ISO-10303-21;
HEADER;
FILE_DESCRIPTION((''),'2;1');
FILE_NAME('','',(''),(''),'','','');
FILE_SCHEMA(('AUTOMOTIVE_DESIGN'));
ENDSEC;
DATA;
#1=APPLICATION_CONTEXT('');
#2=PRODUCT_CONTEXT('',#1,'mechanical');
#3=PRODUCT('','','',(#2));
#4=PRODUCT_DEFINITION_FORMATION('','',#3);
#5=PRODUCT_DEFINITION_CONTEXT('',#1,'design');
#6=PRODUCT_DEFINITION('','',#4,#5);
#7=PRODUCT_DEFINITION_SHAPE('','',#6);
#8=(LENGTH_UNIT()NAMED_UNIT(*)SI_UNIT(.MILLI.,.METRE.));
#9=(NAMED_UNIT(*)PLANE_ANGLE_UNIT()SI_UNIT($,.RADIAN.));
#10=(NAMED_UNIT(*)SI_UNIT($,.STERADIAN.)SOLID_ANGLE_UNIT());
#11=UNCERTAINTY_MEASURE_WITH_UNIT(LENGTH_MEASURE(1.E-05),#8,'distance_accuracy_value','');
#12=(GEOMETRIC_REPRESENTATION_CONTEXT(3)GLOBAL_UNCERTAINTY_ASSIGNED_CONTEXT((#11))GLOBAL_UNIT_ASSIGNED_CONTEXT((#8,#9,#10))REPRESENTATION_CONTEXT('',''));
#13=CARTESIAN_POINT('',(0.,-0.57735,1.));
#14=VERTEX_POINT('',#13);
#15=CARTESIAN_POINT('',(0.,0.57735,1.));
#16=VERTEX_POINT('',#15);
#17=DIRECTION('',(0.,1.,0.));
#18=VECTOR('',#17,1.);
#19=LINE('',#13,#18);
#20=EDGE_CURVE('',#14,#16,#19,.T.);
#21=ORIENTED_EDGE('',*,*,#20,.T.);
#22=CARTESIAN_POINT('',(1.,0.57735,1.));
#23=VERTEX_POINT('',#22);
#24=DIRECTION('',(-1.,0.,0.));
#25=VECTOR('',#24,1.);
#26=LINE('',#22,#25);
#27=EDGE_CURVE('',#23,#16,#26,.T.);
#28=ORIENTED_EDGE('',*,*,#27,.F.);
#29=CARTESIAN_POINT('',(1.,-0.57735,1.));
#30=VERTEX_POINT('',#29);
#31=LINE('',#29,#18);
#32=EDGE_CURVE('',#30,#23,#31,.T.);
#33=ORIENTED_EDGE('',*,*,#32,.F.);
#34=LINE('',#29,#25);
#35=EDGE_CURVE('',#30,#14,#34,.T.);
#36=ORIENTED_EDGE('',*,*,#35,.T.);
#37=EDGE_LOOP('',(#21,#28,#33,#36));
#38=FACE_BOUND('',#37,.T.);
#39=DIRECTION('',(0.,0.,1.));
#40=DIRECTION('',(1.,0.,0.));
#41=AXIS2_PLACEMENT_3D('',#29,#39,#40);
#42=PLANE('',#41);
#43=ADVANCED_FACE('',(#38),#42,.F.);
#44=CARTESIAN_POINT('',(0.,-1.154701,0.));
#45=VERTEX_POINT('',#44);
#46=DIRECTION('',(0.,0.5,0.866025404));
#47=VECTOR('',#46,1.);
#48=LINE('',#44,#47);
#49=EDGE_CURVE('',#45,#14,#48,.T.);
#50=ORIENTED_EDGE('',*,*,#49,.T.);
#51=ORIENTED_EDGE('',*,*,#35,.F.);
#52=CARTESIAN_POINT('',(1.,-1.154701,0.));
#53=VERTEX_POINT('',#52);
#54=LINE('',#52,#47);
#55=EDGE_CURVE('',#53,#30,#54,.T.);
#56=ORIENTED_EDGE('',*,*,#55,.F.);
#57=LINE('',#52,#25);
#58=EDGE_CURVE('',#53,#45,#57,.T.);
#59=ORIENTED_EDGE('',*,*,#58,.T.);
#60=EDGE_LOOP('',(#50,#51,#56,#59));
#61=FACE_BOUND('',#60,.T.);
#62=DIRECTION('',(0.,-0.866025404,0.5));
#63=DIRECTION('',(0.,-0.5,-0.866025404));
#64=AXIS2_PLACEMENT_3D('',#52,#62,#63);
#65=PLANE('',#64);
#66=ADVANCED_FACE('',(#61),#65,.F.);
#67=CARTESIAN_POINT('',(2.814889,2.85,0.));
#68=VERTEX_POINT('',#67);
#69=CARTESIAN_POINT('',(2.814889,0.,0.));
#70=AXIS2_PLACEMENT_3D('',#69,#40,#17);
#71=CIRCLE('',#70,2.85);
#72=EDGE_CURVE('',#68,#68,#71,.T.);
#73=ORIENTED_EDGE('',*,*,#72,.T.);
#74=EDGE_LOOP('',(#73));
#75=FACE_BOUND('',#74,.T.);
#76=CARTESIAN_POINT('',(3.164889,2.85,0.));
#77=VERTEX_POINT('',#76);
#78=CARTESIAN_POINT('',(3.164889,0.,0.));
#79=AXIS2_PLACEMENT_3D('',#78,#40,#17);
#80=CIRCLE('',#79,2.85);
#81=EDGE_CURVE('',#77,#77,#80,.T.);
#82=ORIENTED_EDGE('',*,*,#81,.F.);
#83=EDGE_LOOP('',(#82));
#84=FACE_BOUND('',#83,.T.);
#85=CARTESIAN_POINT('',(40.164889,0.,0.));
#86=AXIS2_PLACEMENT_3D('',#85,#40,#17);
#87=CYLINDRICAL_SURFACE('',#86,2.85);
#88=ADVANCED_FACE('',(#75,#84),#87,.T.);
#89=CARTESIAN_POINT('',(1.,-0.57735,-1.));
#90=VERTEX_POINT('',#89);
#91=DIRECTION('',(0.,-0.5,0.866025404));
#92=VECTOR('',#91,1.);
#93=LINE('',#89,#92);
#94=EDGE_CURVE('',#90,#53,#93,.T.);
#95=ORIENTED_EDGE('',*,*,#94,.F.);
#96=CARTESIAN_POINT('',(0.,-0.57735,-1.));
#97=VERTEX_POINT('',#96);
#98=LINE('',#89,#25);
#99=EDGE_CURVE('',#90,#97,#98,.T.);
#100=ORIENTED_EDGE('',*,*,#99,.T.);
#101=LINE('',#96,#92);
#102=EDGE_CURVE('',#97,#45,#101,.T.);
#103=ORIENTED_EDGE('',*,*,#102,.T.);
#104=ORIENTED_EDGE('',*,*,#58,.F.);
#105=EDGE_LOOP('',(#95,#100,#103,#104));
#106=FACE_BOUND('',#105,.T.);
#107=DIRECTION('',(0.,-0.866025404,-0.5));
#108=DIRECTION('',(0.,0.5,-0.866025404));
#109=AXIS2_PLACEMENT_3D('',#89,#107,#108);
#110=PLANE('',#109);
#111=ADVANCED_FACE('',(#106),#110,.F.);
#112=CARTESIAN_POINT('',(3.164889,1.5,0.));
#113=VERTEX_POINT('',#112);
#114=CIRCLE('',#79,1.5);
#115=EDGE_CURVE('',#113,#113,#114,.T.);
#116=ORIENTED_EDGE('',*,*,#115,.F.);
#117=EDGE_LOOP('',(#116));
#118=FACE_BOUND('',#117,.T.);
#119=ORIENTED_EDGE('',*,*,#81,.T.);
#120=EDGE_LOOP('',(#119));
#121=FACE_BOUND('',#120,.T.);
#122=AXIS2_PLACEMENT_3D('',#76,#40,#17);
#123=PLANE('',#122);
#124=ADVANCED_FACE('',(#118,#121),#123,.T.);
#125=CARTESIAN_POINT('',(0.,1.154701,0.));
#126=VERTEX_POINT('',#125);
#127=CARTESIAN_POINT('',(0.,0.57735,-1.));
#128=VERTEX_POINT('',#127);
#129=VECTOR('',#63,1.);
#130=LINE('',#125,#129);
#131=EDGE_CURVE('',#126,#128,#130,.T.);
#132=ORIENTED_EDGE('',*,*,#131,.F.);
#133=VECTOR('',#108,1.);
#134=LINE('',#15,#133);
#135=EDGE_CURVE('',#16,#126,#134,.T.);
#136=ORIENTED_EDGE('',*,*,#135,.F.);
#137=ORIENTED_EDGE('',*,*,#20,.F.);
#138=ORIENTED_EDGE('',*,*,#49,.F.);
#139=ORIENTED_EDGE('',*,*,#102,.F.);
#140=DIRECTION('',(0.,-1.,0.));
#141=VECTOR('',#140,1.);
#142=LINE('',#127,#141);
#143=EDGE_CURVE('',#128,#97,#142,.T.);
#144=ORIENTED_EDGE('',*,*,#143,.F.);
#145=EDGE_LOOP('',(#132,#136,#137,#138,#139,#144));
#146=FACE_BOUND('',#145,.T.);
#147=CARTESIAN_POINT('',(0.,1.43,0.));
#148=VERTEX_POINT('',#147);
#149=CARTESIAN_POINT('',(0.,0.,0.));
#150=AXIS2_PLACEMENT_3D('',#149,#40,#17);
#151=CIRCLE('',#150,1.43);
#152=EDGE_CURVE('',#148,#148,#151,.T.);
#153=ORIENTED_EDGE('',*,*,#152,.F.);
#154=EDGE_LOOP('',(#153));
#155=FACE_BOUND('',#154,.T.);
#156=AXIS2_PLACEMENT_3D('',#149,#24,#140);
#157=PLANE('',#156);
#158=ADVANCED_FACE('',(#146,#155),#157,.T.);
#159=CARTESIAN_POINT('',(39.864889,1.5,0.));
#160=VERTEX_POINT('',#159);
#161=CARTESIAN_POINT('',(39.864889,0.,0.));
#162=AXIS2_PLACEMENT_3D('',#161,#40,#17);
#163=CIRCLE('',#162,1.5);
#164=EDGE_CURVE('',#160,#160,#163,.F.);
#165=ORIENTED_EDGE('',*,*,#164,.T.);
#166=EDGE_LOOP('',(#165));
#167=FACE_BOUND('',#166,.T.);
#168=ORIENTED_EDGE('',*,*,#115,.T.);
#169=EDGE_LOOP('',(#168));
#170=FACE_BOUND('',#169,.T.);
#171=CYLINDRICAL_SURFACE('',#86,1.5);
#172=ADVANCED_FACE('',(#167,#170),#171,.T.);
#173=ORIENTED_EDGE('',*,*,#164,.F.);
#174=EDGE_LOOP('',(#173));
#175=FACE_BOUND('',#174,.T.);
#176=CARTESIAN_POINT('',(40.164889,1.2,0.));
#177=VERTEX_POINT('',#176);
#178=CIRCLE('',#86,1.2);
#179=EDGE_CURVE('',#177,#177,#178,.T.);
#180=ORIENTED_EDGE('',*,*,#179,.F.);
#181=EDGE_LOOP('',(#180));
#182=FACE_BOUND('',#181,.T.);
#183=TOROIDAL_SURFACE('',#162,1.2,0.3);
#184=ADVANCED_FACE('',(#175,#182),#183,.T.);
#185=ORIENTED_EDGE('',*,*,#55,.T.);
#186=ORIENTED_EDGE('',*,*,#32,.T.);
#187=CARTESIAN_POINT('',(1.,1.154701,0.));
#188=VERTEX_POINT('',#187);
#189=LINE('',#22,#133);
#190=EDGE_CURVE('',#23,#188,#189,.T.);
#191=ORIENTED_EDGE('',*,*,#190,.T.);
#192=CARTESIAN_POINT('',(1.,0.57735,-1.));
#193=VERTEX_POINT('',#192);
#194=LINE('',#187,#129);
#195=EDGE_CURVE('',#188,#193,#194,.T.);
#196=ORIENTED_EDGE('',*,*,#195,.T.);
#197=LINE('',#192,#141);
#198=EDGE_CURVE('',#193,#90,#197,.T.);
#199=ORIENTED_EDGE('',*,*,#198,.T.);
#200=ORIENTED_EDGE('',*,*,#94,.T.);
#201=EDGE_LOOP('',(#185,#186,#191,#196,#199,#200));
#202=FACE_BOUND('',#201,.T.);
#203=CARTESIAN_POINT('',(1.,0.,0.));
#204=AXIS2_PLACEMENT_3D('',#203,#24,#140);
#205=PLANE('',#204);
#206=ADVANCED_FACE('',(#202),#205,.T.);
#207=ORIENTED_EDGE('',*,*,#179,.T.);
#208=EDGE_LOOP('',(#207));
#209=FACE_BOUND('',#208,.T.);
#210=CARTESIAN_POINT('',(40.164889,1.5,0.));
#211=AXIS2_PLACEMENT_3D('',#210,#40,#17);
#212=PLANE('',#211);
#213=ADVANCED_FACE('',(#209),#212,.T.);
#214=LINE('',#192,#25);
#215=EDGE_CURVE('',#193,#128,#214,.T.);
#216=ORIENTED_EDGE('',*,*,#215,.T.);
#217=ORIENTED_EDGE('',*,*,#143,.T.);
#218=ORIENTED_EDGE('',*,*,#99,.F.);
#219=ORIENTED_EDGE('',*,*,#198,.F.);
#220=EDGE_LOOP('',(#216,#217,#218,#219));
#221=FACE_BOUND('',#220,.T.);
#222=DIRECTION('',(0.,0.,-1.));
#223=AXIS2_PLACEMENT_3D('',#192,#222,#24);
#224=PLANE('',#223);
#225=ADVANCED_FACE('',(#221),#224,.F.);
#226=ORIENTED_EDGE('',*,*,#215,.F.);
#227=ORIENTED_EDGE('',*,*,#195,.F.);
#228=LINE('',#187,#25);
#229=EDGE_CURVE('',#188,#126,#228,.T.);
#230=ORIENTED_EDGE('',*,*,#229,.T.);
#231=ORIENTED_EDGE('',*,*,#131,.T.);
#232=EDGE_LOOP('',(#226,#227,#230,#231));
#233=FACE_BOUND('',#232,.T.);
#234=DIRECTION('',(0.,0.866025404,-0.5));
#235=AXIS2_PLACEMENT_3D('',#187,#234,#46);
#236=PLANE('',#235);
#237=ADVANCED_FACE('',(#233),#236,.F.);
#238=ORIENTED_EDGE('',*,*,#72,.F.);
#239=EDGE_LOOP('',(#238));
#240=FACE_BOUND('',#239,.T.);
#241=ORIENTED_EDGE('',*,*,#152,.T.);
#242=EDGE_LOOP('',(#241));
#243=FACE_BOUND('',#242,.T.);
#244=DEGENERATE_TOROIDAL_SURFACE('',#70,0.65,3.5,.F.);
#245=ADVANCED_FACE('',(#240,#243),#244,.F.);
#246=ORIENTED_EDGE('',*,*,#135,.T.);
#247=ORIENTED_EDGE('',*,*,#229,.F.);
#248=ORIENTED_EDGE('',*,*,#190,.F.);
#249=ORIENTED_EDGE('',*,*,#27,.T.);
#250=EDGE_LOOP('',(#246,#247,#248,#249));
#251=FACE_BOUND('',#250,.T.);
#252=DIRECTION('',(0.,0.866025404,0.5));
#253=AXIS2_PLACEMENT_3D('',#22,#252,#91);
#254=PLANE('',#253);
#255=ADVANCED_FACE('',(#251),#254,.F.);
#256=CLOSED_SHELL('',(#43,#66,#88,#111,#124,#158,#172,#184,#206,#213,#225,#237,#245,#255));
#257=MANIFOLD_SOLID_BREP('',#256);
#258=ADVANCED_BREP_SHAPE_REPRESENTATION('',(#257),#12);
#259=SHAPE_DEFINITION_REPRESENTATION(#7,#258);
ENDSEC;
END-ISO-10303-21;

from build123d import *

# Parameters (mm, degrees)
CONG_1_R                = 0.3
ENL_V_MAT_EXTRU_1_DEPTH = 1


with BuildPart() as part:
    # Esquisse1 → Révolution1 (revolve)
    with BuildSketch(Plane.XY):
        with BuildLine():
            Line((40.164888985, 0), (0, 0))
            Line((0, 0), (0, 1.43))
            ThreePointArc((0, 1.43), (1.238500708, 2.474899998), (2.814888985, 2.85))
            Line((2.814888985, 2.85), (3.164888985, 2.85))
            Line((3.164888985, 2.85), (3.164888985, 1.5))
            Line((3.164888985, 1.5), (40.164888985, 1.5))
            Line((40.164888985, 1.5), (40.164888985, 0))
        make_face()
    revolve(axis=Axis((40.164888985, 0, 0), (-1, 0, 0)))

    # Congé1
    cong_1_edges = [part.edges().sort_by_distance(p)[0] for p in [
        (40.164888985, -1.5, 0),
    ]]
    fillet(cong_1_edges, radius=CONG_1_R)

    # Esquisse2 → Enlèv. mat.-Extru.1 (cut)
    with BuildSketch(Plane.ZY):
        Polygon((0, 1.154700538), (-1, 0.577350269), (-1, -0.577350269), (0, -1.154700538), (1, -0.577350269), (1, 0.577350269), align=None)
    extrude(amount=-ENL_V_MAT_EXTRU_1_DEPTH, mode=Mode.SUBTRACT)


solid = part.part
